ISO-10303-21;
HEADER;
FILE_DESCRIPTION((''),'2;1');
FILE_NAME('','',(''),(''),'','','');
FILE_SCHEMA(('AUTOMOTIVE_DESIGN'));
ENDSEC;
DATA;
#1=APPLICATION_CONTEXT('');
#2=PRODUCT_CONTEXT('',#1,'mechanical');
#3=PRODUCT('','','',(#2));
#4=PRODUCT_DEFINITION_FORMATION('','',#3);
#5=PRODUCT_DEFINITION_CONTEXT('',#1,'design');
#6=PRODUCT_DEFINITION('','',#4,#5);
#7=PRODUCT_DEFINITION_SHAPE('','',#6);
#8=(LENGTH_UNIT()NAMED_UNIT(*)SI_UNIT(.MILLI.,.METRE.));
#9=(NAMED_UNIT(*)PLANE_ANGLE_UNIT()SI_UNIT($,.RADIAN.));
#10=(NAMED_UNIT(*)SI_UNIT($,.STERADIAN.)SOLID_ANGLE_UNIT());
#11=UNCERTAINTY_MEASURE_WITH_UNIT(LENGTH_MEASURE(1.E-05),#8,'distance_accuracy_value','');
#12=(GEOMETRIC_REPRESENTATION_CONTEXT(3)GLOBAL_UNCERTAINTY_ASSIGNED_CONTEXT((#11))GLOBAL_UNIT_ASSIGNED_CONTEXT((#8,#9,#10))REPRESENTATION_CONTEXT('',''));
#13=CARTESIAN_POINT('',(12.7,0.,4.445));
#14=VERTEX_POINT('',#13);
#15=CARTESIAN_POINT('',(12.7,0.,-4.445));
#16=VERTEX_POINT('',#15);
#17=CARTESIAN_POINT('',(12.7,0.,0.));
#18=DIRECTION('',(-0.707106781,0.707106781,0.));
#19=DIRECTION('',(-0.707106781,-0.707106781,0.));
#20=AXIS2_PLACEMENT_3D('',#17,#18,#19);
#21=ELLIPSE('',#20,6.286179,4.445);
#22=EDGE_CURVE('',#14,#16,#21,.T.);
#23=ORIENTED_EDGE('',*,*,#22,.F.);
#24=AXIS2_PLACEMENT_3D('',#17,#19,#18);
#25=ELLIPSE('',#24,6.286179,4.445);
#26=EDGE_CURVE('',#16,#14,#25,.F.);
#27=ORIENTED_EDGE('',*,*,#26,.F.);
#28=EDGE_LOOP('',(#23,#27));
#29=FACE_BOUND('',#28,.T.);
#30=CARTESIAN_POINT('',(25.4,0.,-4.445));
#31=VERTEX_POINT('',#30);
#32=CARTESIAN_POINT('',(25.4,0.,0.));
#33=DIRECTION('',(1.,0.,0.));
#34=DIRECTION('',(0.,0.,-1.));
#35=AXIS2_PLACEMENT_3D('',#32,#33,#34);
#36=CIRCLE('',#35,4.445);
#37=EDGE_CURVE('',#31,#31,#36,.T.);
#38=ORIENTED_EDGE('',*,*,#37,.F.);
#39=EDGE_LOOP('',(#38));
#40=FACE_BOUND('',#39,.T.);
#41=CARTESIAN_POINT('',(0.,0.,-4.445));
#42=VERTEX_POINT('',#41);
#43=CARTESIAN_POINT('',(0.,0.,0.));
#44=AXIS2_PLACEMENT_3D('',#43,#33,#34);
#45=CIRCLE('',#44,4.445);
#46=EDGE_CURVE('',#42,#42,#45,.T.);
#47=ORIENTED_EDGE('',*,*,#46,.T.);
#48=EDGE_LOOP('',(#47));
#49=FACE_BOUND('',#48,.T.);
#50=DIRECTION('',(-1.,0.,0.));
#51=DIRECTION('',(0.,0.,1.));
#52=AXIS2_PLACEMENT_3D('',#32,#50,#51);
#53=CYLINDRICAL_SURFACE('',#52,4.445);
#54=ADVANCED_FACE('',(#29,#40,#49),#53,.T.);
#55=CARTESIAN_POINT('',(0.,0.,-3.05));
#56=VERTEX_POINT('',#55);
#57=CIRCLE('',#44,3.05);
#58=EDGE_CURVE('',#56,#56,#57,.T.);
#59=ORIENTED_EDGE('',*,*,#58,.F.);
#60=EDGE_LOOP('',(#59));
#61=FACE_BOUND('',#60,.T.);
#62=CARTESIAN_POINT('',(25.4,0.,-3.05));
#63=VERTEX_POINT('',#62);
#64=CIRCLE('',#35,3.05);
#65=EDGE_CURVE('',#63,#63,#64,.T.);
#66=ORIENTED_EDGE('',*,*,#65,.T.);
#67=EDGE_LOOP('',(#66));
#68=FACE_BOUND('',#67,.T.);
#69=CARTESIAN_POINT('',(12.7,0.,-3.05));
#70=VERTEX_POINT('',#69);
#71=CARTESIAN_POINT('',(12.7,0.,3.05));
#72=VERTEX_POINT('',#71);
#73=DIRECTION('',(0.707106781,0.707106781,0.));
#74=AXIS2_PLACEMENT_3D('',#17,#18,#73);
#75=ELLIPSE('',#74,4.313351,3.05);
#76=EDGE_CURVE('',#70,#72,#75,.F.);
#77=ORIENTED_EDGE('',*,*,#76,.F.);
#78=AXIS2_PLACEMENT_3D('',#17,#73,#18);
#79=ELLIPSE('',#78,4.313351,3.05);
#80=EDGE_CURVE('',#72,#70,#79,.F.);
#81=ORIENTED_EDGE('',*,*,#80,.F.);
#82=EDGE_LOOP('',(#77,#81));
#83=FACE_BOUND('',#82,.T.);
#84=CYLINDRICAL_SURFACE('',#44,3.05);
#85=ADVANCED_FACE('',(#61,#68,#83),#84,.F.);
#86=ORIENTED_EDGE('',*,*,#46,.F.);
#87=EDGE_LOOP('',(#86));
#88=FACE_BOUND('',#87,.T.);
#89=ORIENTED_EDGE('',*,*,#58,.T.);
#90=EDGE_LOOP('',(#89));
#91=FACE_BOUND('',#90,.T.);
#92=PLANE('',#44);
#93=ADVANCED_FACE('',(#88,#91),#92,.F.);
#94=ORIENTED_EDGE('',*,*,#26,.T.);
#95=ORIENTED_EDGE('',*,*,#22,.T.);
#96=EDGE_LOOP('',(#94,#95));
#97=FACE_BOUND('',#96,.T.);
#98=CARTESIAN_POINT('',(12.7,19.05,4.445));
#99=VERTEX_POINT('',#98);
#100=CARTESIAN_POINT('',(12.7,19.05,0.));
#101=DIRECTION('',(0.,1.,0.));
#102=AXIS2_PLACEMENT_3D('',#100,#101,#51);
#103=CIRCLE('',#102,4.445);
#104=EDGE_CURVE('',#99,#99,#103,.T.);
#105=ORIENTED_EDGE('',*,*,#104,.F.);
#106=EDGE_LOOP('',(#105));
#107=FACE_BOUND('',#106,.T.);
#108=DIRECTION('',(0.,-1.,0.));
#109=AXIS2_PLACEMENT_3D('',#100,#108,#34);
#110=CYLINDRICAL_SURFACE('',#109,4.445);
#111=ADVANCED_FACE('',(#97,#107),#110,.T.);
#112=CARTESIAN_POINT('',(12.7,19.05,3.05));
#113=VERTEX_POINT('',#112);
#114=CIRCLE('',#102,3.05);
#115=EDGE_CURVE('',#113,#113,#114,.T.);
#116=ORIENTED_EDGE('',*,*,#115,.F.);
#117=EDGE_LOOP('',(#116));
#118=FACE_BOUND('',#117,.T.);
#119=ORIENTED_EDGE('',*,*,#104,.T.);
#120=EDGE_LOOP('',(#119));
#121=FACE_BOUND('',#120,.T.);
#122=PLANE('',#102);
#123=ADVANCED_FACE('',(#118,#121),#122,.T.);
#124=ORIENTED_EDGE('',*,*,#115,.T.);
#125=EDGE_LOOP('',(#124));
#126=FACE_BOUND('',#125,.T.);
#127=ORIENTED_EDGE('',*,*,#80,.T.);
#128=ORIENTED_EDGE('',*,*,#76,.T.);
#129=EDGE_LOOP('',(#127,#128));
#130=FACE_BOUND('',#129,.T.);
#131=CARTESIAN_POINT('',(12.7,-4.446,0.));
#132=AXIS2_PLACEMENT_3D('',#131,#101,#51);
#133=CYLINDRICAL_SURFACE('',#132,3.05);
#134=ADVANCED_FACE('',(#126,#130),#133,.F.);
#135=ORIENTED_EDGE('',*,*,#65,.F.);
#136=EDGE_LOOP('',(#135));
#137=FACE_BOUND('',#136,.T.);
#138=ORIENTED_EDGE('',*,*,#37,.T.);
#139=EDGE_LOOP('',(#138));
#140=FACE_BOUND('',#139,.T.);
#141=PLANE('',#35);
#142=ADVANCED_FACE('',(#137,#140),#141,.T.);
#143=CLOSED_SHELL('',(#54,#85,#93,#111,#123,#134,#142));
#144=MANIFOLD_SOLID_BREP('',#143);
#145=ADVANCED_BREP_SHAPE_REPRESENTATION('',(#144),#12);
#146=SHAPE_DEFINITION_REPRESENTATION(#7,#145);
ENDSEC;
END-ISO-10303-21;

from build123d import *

# Parameters (mm, degrees)
SKETCH1_R               = 4.445
BOSS_EXTRUDE1_DEPTH     = 25.4
SKETCH2_R               = 4.445
BOSS_EXTRUDE2_DEPTH     = 19.05
SKETCH3_R               = 3.05
CUT_EXTRUDE1_DEPTH      = 33.059640126
CUT_EXTRUDE2_REACH      = 36.885
CUT_EXTRUDE2_END_RADIUS = 3.05
SKETCH4_R               = 3.05


with BuildPart() as part:
    # Sketch1 → Boss-Extrude1 (new body)
    with BuildSketch(Plane(origin=(0, 0, 0), x_dir=(0, 0, -1), z_dir=(1, 0, 0))):
        Circle(SKETCH1_R)
    extrude(amount=BOSS_EXTRUDE1_DEPTH)

    # Sketch2 → Boss-Extrude2 (add)
    with BuildSketch(Plane(origin=(0, 0, 0), x_dir=(1, 0, 0), z_dir=(0, 1, 0))):
        with Locations(Location((12.7, 0, 0), (0, 0, 270))):
            Circle(SKETCH2_R)
    extrude(amount=BOSS_EXTRUDE2_DEPTH)

    # Sketch3 → Cut-Extrude1 (cut, through all)
    with BuildSketch(Plane(origin=(25.4, 0, 0), x_dir=(0, 0, -1), z_dir=(1, 0, 0))):
        Circle(SKETCH3_R)
    extrude(amount=-CUT_EXTRUDE1_DEPTH, mode=Mode.SUBTRACT)

    # Cut-Extrude2: up to this cylinder (the profile starts outside it)
    cut_extrude2_end = Plane(origin=(12.7, 0, 0), z_dir=(1, 0, 0)) * Cylinder(CUT_EXTRUDE2_END_RADIUS, 80.87, mode=Mode.PRIVATE)
    # Sketch4 → Cut-Extrude2 (cut, up to the surface)
    with BuildSketch(Plane(origin=(0, 19.05, 0), x_dir=(1, 0, 0), z_dir=(0, 1, 0)), mode=Mode.PRIVATE) as cut_extrude2_sk1:
        with Locations(Location((12.7, 0, 0), (0, 0, 270))):
            Circle(SKETCH4_R)
    cut_extrude2_tool1 = extrude(cut_extrude2_sk1.sketch, amount=-CUT_EXTRUDE2_REACH, mode=Mode.PRIVATE) - cut_extrude2_end
    add(cut_extrude2_tool1.solids().sort_by_distance((12.7, 19.05, 0))[0], mode=Mode.SUBTRACT)


solid = part.part
